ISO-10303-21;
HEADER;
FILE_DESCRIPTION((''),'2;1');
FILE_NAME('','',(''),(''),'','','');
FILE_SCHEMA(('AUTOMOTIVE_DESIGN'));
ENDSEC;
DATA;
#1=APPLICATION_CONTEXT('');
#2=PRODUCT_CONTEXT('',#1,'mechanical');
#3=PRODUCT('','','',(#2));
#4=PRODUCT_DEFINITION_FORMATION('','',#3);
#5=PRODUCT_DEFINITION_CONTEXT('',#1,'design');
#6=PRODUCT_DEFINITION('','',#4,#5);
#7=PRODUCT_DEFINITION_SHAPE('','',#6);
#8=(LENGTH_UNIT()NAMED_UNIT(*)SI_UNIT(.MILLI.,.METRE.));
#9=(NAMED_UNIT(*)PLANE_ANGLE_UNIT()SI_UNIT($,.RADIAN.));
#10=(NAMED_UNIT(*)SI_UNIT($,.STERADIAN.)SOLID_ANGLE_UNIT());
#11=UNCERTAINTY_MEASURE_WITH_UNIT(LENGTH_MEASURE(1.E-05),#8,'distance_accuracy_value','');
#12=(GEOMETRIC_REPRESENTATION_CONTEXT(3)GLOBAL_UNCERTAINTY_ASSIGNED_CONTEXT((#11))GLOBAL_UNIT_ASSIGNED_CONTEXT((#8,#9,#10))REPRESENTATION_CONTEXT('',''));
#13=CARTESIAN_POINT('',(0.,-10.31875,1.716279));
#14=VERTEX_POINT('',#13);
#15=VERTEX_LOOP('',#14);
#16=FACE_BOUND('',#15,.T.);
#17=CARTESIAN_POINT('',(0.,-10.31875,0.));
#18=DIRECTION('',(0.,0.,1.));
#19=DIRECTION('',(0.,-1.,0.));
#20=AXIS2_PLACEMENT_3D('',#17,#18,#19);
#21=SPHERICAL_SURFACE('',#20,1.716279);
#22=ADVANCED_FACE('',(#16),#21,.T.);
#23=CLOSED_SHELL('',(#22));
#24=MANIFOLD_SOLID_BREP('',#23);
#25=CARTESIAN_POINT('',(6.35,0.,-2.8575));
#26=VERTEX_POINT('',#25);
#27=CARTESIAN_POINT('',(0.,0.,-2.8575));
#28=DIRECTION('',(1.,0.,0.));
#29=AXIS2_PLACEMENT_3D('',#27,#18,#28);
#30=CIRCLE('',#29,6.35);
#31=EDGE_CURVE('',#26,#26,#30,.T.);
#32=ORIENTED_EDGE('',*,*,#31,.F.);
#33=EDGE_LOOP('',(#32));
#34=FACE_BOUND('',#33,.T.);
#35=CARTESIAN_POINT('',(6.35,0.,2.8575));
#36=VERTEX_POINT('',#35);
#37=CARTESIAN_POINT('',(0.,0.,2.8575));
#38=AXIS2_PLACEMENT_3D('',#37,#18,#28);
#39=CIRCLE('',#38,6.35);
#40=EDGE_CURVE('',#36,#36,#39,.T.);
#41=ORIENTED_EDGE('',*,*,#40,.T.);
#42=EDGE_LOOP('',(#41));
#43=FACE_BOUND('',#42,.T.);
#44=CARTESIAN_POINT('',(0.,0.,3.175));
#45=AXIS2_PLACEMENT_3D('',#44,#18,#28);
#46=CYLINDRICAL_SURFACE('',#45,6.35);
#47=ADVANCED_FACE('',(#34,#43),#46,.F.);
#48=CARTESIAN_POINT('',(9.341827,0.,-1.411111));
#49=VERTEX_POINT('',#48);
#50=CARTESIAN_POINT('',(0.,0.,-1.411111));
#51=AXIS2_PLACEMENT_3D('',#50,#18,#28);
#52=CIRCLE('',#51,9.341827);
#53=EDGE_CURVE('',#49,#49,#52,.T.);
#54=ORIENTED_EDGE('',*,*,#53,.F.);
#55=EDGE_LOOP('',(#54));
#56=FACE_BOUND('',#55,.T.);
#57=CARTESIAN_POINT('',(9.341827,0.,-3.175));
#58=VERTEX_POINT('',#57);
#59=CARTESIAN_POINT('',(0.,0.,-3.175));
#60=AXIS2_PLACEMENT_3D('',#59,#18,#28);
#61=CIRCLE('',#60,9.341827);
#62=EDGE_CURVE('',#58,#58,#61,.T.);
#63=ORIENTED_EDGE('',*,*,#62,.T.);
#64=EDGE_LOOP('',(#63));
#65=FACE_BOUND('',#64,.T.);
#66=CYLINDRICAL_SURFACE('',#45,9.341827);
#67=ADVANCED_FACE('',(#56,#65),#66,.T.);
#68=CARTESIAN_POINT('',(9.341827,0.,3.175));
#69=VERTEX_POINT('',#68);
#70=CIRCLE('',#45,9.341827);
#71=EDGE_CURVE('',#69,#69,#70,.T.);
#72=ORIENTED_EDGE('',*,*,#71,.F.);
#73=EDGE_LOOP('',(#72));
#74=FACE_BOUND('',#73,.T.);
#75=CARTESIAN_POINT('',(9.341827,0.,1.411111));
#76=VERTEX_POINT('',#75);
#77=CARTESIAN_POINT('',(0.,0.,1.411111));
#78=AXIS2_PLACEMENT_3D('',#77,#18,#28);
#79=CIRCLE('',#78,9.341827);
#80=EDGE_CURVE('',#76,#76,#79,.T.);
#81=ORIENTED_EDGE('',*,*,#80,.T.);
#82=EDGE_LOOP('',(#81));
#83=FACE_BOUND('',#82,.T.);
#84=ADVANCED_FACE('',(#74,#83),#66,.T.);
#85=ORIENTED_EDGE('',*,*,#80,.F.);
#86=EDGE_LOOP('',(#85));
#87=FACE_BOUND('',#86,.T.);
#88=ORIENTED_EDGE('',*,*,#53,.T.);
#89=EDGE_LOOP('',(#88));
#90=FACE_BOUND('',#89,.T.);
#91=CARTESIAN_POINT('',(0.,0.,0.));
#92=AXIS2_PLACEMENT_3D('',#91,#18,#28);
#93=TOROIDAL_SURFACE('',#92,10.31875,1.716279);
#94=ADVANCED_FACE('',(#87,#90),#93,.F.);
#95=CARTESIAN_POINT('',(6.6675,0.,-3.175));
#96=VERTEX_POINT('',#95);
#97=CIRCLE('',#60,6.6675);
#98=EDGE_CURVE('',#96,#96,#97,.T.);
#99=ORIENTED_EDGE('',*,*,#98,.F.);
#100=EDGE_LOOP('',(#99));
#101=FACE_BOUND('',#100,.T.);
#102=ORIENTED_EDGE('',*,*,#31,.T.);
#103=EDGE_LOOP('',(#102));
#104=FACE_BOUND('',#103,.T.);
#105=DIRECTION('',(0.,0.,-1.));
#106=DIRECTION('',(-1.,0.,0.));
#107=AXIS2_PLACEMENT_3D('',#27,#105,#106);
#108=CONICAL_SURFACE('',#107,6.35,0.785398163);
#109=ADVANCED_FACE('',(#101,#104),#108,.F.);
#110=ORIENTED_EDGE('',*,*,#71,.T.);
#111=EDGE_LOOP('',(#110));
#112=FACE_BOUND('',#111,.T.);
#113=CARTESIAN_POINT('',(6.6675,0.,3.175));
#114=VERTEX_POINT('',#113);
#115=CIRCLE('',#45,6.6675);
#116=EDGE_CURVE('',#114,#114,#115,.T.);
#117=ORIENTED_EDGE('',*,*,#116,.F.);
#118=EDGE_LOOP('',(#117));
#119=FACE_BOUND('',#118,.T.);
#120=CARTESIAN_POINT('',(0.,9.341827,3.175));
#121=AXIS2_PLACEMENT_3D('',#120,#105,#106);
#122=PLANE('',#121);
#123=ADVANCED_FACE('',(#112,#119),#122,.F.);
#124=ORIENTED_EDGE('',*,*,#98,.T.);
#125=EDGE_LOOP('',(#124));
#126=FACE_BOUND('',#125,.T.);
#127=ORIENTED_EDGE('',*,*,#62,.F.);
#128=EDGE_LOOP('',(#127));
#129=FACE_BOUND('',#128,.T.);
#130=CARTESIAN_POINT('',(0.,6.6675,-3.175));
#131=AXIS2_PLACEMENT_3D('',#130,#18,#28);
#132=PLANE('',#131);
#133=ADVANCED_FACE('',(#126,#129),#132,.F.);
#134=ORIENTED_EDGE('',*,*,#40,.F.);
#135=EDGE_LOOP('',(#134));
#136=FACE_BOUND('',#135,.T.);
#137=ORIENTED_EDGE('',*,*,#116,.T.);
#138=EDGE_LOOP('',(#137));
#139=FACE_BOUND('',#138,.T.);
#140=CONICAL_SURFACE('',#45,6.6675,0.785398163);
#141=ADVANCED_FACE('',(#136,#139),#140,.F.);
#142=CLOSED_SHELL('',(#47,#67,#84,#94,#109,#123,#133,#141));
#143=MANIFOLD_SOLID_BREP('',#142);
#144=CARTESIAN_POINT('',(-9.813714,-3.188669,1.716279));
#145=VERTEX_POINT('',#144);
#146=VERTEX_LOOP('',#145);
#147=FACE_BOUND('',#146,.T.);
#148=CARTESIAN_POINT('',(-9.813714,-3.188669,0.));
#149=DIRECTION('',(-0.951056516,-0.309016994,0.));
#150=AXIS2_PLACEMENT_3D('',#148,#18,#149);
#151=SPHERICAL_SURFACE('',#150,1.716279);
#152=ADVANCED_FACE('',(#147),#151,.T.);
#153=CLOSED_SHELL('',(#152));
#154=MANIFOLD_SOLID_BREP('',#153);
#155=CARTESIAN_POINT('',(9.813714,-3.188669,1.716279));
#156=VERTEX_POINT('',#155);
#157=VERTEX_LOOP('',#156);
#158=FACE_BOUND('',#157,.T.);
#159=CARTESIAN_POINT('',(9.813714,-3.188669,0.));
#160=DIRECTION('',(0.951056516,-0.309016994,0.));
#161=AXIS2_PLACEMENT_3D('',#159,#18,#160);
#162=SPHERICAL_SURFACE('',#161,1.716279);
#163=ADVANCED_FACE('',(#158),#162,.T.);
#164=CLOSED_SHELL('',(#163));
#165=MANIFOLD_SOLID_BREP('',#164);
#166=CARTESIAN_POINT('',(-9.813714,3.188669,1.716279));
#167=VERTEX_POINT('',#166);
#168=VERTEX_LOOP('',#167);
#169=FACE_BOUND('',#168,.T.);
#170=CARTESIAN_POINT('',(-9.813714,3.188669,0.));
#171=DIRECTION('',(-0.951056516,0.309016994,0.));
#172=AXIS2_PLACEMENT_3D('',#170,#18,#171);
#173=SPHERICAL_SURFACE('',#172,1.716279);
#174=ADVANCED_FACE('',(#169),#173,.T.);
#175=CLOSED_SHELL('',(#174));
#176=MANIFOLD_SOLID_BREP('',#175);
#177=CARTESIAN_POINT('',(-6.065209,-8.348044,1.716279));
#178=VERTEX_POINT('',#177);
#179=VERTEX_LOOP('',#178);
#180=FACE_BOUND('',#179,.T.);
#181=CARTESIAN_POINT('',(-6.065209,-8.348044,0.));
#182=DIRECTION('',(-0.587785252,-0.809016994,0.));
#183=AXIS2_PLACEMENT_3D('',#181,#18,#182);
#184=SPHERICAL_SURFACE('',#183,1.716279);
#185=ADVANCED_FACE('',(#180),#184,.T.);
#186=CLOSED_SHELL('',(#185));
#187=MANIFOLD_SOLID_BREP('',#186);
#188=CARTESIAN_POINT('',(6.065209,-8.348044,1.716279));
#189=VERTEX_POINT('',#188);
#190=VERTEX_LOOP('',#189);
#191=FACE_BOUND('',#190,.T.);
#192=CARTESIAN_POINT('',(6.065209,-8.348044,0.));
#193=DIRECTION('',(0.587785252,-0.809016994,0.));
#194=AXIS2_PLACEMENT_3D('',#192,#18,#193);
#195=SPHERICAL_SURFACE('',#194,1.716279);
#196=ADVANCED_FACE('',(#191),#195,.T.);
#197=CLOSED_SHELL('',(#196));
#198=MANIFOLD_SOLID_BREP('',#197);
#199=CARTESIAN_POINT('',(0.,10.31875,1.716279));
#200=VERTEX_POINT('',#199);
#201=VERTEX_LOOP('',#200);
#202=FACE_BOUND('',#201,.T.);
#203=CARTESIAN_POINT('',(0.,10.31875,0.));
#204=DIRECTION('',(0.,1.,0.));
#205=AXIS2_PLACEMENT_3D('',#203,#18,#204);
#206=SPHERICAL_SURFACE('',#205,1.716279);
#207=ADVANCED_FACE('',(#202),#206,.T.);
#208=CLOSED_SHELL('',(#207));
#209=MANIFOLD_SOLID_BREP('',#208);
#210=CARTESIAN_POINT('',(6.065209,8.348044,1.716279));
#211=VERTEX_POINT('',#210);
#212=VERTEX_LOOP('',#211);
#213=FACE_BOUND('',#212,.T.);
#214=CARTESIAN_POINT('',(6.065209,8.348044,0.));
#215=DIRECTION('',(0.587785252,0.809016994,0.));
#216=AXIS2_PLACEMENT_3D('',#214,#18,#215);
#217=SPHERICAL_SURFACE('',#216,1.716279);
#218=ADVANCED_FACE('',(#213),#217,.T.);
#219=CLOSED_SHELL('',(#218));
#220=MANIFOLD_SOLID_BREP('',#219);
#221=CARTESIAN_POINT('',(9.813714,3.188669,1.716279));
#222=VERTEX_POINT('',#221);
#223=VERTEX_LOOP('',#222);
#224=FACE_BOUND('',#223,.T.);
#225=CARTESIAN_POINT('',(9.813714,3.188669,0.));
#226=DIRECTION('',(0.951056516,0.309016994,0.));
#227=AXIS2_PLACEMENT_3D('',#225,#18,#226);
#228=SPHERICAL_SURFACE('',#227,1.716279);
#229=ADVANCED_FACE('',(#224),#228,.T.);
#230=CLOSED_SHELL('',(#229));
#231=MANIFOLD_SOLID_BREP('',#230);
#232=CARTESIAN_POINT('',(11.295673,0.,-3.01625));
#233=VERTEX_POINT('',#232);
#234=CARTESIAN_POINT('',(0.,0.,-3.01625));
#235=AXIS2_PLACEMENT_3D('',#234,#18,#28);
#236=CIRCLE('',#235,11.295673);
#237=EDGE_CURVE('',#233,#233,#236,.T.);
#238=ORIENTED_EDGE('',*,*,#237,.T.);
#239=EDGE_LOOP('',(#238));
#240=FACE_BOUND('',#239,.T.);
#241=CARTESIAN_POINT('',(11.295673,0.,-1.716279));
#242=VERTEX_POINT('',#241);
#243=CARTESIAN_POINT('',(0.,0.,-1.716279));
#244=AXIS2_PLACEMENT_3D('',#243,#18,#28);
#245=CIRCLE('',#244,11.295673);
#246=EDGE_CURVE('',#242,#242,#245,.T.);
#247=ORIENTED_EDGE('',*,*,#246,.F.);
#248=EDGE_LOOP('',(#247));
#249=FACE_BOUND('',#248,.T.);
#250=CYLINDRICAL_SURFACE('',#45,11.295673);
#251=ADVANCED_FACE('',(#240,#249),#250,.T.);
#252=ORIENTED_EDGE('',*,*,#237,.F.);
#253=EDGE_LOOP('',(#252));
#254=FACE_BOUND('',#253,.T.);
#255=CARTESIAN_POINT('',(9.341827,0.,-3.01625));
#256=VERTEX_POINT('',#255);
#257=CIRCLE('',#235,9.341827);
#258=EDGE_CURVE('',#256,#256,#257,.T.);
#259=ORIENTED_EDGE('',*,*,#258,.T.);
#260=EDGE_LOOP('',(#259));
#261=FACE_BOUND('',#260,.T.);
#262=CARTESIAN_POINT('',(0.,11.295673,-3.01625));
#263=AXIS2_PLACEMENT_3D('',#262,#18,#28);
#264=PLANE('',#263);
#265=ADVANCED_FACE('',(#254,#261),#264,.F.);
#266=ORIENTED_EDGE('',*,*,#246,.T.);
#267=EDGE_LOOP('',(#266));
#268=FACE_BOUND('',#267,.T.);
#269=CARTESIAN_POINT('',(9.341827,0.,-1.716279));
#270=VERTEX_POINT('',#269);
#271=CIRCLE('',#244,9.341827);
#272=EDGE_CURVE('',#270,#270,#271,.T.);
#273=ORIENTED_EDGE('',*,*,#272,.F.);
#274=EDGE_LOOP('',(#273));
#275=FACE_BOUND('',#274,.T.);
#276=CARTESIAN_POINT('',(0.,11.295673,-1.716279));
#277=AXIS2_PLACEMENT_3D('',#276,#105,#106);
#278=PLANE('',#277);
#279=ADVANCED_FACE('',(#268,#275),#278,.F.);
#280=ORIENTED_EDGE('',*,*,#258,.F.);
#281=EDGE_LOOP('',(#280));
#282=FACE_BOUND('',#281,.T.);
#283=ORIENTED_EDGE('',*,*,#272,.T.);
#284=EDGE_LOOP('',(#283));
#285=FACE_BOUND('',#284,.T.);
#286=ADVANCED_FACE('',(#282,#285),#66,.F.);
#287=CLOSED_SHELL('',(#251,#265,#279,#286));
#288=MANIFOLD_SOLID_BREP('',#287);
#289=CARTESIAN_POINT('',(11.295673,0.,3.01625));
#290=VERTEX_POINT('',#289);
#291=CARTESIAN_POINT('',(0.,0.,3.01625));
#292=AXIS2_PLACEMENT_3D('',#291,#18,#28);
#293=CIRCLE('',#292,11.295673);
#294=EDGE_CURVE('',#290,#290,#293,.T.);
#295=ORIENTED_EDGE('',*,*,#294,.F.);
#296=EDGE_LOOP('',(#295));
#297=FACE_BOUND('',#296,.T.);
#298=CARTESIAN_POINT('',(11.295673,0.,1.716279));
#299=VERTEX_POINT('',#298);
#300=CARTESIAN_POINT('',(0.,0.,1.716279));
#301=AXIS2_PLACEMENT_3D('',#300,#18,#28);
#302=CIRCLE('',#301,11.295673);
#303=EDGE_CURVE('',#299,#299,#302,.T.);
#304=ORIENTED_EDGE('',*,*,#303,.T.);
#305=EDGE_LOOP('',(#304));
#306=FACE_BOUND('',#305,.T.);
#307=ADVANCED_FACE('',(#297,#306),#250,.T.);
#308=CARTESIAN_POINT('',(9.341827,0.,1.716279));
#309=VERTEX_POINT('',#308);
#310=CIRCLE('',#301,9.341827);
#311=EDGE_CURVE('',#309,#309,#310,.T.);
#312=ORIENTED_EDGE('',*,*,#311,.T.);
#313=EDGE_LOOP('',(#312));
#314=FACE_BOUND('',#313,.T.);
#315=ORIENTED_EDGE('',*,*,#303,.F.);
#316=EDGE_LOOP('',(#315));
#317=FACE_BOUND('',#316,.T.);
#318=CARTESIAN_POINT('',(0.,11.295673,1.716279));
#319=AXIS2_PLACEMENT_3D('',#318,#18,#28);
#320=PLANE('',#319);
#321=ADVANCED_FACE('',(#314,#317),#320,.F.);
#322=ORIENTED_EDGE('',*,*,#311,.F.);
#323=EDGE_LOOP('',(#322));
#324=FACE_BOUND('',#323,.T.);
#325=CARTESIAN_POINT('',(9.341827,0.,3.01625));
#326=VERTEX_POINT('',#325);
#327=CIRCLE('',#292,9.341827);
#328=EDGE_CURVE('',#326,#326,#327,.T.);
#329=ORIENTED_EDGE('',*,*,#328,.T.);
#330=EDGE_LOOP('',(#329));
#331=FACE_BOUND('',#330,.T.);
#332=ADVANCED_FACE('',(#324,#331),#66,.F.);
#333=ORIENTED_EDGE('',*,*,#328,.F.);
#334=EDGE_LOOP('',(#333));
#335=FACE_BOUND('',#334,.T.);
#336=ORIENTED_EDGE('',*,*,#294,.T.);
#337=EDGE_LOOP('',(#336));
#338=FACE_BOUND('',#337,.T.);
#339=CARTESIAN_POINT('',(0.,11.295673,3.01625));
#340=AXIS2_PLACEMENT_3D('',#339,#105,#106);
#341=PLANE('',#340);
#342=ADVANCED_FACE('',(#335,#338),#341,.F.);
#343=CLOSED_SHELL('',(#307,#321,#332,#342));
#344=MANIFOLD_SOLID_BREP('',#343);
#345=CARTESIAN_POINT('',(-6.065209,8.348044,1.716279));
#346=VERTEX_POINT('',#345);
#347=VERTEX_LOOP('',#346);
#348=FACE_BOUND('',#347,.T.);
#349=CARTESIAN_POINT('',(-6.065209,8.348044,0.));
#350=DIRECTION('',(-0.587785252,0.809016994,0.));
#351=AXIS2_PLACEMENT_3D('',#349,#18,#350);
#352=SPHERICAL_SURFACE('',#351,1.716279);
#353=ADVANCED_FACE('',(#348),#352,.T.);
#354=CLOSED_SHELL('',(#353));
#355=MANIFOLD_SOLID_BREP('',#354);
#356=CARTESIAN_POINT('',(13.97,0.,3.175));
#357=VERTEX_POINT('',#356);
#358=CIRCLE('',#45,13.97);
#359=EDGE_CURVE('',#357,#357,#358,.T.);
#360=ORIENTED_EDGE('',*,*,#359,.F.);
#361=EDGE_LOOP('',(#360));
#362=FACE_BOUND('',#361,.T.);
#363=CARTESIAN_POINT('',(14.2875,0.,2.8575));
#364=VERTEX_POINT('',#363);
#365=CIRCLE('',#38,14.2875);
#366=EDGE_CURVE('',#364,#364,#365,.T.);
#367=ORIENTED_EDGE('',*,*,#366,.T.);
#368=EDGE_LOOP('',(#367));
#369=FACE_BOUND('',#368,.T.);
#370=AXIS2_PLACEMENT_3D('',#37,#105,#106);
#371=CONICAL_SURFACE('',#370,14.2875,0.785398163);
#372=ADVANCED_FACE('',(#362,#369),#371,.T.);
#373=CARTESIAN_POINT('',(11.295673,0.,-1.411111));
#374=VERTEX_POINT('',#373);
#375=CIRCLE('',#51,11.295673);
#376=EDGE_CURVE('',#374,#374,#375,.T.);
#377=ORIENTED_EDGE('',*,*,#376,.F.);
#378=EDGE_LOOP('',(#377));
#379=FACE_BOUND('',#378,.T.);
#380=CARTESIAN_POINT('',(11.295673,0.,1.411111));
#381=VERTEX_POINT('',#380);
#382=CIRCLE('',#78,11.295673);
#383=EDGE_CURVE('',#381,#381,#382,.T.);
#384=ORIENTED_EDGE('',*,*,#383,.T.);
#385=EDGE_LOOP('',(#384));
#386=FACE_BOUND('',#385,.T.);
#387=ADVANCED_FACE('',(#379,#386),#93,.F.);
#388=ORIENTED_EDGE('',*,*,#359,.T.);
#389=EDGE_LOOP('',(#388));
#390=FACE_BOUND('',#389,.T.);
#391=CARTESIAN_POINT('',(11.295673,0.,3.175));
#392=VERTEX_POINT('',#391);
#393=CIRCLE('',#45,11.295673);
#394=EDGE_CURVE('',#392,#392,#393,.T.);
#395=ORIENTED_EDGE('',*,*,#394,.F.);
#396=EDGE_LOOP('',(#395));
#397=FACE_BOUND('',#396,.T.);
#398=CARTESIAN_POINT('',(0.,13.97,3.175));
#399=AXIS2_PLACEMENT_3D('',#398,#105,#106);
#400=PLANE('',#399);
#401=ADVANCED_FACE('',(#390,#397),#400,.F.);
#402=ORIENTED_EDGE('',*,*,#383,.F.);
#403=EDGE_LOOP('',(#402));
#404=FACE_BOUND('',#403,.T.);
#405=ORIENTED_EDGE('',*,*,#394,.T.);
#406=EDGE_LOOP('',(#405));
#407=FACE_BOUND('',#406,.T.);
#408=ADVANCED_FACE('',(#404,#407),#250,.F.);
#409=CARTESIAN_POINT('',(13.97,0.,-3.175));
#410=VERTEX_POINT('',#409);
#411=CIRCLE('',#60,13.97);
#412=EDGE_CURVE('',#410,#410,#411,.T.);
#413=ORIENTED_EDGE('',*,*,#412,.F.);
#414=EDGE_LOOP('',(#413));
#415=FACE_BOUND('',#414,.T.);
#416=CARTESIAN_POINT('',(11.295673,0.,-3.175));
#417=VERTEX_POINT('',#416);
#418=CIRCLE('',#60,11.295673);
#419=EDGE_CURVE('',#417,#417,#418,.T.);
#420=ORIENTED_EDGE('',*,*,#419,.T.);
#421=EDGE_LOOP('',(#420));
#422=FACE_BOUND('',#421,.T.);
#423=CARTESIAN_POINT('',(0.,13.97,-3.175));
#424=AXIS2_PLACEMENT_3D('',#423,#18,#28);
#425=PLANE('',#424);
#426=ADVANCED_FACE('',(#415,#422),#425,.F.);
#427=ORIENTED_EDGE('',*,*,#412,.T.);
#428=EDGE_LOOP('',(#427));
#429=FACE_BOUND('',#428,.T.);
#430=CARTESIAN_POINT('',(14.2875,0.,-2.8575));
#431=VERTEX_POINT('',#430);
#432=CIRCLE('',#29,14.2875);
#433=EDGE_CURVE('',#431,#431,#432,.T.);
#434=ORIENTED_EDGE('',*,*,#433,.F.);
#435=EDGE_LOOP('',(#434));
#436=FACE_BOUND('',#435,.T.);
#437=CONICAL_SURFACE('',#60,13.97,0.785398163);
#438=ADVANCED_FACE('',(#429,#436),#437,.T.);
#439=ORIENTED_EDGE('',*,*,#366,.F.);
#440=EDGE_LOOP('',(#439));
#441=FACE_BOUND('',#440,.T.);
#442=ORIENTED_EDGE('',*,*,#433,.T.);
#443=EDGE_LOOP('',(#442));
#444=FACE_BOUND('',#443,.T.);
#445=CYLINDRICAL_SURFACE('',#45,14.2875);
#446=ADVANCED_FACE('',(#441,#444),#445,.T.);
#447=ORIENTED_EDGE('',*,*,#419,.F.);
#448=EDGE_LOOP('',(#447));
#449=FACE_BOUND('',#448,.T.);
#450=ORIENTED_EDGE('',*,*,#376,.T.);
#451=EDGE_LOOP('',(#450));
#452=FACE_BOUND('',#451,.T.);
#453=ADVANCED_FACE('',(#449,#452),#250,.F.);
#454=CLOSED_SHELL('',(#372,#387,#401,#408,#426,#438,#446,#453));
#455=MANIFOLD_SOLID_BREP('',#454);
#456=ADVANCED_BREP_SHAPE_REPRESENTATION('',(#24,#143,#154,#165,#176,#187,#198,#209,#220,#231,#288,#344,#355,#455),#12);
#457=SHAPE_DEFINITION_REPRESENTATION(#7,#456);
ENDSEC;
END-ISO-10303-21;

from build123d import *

# Parameters (mm, degrees)
CIRPATTERN1_COUNT = 10
SKETCH5_W         = 1.299971099
SKETCH5_H         = 1.953846154


with BuildPart() as part:
    # Sketch1 → Revolve1 (revolve)
    with BuildSketch(Plane(origin=(0, 0, 0), x_dir=(0, 0, -1), z_dir=(1, 0, 0))):
        with BuildLine():
            Line((2.8575, 14.2875), (-2.8575, 14.2875))
            Line((-2.8575, 14.2875), (-3.175, 13.97))
            Line((-3.175, 13.97), (-3.175, 11.295673077))
            Line((-3.175, 11.295673077), (-1.411111111, 11.295673077))
            ThreePointArc((-1.411111111, 11.295673077), (0, 12.035028901), (1.411111111, 11.295673077))
            Line((1.411111111, 11.295673077), (3.175, 11.295673077))
            Line((3.175, 11.295673077), (3.175, 13.97))
            Line((3.175, 13.97), (2.8575, 14.2875))
        make_face()
    revolve(axis=Axis((0, 0, 3.175), (0, 0, -1)))


with BuildPart() as body_2:
    # Sketch3 → Revolve3 (revolve)
    with BuildSketch(Plane(origin=(0, 0, 0), x_dir=(0, 0, -1), z_dir=(1, 0, 0))):
        with BuildLine():
            Line((-3.175, 9.341826923), (-1.411111111, 9.341826923))
            ThreePointArc((-1.411111111, 9.341826923), (0, 8.602471099), (1.411111111, 9.341826923))
            Line((1.411111111, 9.341826923), (3.175, 9.341826923))
            Line((3.175, 9.341826923), (3.175, 6.6675))
            Line((3.175, 6.6675), (2.8575, 6.35))
            Line((2.8575, 6.35), (-2.8575, 6.35))
            Line((-2.8575, 6.35), (-3.175, 6.6675))
            Line((-3.175, 6.6675), (-3.175, 9.341826923))
        make_face()
    revolve(axis=Axis((0, 0, 3.175), (0, 0, -1)))


with BuildPart() as body_3:
    # Sketch4 → Revolve4 (revolve)
    with BuildSketch(Plane(origin=(0, 0, 0), x_dir=(0, 0, -1), z_dir=(1, 0, 0))):
        with BuildLine():
            Line((-1.716278901, 10.31875), (1.716278901, 10.31875))
            ThreePointArc((1.716278901, 10.31875), (0, 12.035028901), (-1.716278901, 10.31875))
        make_face()
    revolve(axis=Axis((0, 10.31875, 1.716278901), (0, 0, -1)))


with BuildPart() as cirpattern1_1:
    # CirPattern1: pattern copy
    add(body_3.part.rotate(Axis((0, 0, -3.175), (0, 0, 1)), 1 * 360 / CIRPATTERN1_COUNT))


with BuildPart() as cirpattern1_2:
    # CirPattern1: pattern copy
    add(body_3.part.rotate(Axis((0, 0, -3.175), (0, 0, 1)), 2 * 360 / CIRPATTERN1_COUNT))


with BuildPart() as cirpattern1_3:
    # CirPattern1: pattern copy
    add(body_3.part.rotate(Axis((0, 0, -3.175), (0, 0, 1)), 3 * 360 / CIRPATTERN1_COUNT))


with BuildPart() as cirpattern1_4:
    # CirPattern1: pattern copy
    add(body_3.part.rotate(Axis((0, 0, -3.175), (0, 0, 1)), 4 * 360 / CIRPATTERN1_COUNT))


with BuildPart() as cirpattern1_5:
    # CirPattern1: pattern copy
    add(body_3.part.rotate(Axis((0, 0, -3.175), (0, 0, 1)), 5 * 360 / CIRPATTERN1_COUNT))


with BuildPart() as cirpattern1_6:
    # CirPattern1: pattern copy
    add(body_3.part.rotate(Axis((0, 0, -3.175), (0, 0, 1)), 6 * 360 / CIRPATTERN1_COUNT))


with BuildPart() as cirpattern1_7:
    # CirPattern1: pattern copy
    add(body_3.part.rotate(Axis((0, 0, -3.175), (0, 0, 1)), 7 * 360 / CIRPATTERN1_COUNT))


with BuildPart() as cirpattern1_8:
    # CirPattern1: pattern copy
    add(body_3.part.rotate(Axis((0, 0, -3.175), (0, 0, 1)), 8 * 360 / CIRPATTERN1_COUNT))


with BuildPart() as cirpattern1_9:
    # CirPattern1: pattern copy
    add(body_3.part.rotate(Axis((0, 0, -3.175), (0, 0, 1)), 9 * 360 / CIRPATTERN1_COUNT))


with BuildPart() as body_13:
    # Sketch5 → Revolve5 (revolve)
    with BuildSketch(Plane(origin=(0, 0, 0), x_dir=(0, 0, -1), z_dir=(1, 0, 0))):
        with Locations((-2.366264451, 10.31875)):
            Rectangle(SKETCH5_W, SKETCH5_H)
        with Locations((2.366264451, 10.31875)):
            Rectangle(SKETCH5_W, SKETCH5_H)
    revolve(axis=Axis((0, 0, 3.175), (0, 0, -1)))


solid = Compound([part.part, body_2.part, body_3.part, cirpattern1_1.part, cirpattern1_2.part, cirpattern1_3.part, cirpattern1_4.part, cirpattern1_5.part, cirpattern1_6.part, cirpattern1_7.part, cirpattern1_8.part, cirpattern1_9.part, body_13.part])
